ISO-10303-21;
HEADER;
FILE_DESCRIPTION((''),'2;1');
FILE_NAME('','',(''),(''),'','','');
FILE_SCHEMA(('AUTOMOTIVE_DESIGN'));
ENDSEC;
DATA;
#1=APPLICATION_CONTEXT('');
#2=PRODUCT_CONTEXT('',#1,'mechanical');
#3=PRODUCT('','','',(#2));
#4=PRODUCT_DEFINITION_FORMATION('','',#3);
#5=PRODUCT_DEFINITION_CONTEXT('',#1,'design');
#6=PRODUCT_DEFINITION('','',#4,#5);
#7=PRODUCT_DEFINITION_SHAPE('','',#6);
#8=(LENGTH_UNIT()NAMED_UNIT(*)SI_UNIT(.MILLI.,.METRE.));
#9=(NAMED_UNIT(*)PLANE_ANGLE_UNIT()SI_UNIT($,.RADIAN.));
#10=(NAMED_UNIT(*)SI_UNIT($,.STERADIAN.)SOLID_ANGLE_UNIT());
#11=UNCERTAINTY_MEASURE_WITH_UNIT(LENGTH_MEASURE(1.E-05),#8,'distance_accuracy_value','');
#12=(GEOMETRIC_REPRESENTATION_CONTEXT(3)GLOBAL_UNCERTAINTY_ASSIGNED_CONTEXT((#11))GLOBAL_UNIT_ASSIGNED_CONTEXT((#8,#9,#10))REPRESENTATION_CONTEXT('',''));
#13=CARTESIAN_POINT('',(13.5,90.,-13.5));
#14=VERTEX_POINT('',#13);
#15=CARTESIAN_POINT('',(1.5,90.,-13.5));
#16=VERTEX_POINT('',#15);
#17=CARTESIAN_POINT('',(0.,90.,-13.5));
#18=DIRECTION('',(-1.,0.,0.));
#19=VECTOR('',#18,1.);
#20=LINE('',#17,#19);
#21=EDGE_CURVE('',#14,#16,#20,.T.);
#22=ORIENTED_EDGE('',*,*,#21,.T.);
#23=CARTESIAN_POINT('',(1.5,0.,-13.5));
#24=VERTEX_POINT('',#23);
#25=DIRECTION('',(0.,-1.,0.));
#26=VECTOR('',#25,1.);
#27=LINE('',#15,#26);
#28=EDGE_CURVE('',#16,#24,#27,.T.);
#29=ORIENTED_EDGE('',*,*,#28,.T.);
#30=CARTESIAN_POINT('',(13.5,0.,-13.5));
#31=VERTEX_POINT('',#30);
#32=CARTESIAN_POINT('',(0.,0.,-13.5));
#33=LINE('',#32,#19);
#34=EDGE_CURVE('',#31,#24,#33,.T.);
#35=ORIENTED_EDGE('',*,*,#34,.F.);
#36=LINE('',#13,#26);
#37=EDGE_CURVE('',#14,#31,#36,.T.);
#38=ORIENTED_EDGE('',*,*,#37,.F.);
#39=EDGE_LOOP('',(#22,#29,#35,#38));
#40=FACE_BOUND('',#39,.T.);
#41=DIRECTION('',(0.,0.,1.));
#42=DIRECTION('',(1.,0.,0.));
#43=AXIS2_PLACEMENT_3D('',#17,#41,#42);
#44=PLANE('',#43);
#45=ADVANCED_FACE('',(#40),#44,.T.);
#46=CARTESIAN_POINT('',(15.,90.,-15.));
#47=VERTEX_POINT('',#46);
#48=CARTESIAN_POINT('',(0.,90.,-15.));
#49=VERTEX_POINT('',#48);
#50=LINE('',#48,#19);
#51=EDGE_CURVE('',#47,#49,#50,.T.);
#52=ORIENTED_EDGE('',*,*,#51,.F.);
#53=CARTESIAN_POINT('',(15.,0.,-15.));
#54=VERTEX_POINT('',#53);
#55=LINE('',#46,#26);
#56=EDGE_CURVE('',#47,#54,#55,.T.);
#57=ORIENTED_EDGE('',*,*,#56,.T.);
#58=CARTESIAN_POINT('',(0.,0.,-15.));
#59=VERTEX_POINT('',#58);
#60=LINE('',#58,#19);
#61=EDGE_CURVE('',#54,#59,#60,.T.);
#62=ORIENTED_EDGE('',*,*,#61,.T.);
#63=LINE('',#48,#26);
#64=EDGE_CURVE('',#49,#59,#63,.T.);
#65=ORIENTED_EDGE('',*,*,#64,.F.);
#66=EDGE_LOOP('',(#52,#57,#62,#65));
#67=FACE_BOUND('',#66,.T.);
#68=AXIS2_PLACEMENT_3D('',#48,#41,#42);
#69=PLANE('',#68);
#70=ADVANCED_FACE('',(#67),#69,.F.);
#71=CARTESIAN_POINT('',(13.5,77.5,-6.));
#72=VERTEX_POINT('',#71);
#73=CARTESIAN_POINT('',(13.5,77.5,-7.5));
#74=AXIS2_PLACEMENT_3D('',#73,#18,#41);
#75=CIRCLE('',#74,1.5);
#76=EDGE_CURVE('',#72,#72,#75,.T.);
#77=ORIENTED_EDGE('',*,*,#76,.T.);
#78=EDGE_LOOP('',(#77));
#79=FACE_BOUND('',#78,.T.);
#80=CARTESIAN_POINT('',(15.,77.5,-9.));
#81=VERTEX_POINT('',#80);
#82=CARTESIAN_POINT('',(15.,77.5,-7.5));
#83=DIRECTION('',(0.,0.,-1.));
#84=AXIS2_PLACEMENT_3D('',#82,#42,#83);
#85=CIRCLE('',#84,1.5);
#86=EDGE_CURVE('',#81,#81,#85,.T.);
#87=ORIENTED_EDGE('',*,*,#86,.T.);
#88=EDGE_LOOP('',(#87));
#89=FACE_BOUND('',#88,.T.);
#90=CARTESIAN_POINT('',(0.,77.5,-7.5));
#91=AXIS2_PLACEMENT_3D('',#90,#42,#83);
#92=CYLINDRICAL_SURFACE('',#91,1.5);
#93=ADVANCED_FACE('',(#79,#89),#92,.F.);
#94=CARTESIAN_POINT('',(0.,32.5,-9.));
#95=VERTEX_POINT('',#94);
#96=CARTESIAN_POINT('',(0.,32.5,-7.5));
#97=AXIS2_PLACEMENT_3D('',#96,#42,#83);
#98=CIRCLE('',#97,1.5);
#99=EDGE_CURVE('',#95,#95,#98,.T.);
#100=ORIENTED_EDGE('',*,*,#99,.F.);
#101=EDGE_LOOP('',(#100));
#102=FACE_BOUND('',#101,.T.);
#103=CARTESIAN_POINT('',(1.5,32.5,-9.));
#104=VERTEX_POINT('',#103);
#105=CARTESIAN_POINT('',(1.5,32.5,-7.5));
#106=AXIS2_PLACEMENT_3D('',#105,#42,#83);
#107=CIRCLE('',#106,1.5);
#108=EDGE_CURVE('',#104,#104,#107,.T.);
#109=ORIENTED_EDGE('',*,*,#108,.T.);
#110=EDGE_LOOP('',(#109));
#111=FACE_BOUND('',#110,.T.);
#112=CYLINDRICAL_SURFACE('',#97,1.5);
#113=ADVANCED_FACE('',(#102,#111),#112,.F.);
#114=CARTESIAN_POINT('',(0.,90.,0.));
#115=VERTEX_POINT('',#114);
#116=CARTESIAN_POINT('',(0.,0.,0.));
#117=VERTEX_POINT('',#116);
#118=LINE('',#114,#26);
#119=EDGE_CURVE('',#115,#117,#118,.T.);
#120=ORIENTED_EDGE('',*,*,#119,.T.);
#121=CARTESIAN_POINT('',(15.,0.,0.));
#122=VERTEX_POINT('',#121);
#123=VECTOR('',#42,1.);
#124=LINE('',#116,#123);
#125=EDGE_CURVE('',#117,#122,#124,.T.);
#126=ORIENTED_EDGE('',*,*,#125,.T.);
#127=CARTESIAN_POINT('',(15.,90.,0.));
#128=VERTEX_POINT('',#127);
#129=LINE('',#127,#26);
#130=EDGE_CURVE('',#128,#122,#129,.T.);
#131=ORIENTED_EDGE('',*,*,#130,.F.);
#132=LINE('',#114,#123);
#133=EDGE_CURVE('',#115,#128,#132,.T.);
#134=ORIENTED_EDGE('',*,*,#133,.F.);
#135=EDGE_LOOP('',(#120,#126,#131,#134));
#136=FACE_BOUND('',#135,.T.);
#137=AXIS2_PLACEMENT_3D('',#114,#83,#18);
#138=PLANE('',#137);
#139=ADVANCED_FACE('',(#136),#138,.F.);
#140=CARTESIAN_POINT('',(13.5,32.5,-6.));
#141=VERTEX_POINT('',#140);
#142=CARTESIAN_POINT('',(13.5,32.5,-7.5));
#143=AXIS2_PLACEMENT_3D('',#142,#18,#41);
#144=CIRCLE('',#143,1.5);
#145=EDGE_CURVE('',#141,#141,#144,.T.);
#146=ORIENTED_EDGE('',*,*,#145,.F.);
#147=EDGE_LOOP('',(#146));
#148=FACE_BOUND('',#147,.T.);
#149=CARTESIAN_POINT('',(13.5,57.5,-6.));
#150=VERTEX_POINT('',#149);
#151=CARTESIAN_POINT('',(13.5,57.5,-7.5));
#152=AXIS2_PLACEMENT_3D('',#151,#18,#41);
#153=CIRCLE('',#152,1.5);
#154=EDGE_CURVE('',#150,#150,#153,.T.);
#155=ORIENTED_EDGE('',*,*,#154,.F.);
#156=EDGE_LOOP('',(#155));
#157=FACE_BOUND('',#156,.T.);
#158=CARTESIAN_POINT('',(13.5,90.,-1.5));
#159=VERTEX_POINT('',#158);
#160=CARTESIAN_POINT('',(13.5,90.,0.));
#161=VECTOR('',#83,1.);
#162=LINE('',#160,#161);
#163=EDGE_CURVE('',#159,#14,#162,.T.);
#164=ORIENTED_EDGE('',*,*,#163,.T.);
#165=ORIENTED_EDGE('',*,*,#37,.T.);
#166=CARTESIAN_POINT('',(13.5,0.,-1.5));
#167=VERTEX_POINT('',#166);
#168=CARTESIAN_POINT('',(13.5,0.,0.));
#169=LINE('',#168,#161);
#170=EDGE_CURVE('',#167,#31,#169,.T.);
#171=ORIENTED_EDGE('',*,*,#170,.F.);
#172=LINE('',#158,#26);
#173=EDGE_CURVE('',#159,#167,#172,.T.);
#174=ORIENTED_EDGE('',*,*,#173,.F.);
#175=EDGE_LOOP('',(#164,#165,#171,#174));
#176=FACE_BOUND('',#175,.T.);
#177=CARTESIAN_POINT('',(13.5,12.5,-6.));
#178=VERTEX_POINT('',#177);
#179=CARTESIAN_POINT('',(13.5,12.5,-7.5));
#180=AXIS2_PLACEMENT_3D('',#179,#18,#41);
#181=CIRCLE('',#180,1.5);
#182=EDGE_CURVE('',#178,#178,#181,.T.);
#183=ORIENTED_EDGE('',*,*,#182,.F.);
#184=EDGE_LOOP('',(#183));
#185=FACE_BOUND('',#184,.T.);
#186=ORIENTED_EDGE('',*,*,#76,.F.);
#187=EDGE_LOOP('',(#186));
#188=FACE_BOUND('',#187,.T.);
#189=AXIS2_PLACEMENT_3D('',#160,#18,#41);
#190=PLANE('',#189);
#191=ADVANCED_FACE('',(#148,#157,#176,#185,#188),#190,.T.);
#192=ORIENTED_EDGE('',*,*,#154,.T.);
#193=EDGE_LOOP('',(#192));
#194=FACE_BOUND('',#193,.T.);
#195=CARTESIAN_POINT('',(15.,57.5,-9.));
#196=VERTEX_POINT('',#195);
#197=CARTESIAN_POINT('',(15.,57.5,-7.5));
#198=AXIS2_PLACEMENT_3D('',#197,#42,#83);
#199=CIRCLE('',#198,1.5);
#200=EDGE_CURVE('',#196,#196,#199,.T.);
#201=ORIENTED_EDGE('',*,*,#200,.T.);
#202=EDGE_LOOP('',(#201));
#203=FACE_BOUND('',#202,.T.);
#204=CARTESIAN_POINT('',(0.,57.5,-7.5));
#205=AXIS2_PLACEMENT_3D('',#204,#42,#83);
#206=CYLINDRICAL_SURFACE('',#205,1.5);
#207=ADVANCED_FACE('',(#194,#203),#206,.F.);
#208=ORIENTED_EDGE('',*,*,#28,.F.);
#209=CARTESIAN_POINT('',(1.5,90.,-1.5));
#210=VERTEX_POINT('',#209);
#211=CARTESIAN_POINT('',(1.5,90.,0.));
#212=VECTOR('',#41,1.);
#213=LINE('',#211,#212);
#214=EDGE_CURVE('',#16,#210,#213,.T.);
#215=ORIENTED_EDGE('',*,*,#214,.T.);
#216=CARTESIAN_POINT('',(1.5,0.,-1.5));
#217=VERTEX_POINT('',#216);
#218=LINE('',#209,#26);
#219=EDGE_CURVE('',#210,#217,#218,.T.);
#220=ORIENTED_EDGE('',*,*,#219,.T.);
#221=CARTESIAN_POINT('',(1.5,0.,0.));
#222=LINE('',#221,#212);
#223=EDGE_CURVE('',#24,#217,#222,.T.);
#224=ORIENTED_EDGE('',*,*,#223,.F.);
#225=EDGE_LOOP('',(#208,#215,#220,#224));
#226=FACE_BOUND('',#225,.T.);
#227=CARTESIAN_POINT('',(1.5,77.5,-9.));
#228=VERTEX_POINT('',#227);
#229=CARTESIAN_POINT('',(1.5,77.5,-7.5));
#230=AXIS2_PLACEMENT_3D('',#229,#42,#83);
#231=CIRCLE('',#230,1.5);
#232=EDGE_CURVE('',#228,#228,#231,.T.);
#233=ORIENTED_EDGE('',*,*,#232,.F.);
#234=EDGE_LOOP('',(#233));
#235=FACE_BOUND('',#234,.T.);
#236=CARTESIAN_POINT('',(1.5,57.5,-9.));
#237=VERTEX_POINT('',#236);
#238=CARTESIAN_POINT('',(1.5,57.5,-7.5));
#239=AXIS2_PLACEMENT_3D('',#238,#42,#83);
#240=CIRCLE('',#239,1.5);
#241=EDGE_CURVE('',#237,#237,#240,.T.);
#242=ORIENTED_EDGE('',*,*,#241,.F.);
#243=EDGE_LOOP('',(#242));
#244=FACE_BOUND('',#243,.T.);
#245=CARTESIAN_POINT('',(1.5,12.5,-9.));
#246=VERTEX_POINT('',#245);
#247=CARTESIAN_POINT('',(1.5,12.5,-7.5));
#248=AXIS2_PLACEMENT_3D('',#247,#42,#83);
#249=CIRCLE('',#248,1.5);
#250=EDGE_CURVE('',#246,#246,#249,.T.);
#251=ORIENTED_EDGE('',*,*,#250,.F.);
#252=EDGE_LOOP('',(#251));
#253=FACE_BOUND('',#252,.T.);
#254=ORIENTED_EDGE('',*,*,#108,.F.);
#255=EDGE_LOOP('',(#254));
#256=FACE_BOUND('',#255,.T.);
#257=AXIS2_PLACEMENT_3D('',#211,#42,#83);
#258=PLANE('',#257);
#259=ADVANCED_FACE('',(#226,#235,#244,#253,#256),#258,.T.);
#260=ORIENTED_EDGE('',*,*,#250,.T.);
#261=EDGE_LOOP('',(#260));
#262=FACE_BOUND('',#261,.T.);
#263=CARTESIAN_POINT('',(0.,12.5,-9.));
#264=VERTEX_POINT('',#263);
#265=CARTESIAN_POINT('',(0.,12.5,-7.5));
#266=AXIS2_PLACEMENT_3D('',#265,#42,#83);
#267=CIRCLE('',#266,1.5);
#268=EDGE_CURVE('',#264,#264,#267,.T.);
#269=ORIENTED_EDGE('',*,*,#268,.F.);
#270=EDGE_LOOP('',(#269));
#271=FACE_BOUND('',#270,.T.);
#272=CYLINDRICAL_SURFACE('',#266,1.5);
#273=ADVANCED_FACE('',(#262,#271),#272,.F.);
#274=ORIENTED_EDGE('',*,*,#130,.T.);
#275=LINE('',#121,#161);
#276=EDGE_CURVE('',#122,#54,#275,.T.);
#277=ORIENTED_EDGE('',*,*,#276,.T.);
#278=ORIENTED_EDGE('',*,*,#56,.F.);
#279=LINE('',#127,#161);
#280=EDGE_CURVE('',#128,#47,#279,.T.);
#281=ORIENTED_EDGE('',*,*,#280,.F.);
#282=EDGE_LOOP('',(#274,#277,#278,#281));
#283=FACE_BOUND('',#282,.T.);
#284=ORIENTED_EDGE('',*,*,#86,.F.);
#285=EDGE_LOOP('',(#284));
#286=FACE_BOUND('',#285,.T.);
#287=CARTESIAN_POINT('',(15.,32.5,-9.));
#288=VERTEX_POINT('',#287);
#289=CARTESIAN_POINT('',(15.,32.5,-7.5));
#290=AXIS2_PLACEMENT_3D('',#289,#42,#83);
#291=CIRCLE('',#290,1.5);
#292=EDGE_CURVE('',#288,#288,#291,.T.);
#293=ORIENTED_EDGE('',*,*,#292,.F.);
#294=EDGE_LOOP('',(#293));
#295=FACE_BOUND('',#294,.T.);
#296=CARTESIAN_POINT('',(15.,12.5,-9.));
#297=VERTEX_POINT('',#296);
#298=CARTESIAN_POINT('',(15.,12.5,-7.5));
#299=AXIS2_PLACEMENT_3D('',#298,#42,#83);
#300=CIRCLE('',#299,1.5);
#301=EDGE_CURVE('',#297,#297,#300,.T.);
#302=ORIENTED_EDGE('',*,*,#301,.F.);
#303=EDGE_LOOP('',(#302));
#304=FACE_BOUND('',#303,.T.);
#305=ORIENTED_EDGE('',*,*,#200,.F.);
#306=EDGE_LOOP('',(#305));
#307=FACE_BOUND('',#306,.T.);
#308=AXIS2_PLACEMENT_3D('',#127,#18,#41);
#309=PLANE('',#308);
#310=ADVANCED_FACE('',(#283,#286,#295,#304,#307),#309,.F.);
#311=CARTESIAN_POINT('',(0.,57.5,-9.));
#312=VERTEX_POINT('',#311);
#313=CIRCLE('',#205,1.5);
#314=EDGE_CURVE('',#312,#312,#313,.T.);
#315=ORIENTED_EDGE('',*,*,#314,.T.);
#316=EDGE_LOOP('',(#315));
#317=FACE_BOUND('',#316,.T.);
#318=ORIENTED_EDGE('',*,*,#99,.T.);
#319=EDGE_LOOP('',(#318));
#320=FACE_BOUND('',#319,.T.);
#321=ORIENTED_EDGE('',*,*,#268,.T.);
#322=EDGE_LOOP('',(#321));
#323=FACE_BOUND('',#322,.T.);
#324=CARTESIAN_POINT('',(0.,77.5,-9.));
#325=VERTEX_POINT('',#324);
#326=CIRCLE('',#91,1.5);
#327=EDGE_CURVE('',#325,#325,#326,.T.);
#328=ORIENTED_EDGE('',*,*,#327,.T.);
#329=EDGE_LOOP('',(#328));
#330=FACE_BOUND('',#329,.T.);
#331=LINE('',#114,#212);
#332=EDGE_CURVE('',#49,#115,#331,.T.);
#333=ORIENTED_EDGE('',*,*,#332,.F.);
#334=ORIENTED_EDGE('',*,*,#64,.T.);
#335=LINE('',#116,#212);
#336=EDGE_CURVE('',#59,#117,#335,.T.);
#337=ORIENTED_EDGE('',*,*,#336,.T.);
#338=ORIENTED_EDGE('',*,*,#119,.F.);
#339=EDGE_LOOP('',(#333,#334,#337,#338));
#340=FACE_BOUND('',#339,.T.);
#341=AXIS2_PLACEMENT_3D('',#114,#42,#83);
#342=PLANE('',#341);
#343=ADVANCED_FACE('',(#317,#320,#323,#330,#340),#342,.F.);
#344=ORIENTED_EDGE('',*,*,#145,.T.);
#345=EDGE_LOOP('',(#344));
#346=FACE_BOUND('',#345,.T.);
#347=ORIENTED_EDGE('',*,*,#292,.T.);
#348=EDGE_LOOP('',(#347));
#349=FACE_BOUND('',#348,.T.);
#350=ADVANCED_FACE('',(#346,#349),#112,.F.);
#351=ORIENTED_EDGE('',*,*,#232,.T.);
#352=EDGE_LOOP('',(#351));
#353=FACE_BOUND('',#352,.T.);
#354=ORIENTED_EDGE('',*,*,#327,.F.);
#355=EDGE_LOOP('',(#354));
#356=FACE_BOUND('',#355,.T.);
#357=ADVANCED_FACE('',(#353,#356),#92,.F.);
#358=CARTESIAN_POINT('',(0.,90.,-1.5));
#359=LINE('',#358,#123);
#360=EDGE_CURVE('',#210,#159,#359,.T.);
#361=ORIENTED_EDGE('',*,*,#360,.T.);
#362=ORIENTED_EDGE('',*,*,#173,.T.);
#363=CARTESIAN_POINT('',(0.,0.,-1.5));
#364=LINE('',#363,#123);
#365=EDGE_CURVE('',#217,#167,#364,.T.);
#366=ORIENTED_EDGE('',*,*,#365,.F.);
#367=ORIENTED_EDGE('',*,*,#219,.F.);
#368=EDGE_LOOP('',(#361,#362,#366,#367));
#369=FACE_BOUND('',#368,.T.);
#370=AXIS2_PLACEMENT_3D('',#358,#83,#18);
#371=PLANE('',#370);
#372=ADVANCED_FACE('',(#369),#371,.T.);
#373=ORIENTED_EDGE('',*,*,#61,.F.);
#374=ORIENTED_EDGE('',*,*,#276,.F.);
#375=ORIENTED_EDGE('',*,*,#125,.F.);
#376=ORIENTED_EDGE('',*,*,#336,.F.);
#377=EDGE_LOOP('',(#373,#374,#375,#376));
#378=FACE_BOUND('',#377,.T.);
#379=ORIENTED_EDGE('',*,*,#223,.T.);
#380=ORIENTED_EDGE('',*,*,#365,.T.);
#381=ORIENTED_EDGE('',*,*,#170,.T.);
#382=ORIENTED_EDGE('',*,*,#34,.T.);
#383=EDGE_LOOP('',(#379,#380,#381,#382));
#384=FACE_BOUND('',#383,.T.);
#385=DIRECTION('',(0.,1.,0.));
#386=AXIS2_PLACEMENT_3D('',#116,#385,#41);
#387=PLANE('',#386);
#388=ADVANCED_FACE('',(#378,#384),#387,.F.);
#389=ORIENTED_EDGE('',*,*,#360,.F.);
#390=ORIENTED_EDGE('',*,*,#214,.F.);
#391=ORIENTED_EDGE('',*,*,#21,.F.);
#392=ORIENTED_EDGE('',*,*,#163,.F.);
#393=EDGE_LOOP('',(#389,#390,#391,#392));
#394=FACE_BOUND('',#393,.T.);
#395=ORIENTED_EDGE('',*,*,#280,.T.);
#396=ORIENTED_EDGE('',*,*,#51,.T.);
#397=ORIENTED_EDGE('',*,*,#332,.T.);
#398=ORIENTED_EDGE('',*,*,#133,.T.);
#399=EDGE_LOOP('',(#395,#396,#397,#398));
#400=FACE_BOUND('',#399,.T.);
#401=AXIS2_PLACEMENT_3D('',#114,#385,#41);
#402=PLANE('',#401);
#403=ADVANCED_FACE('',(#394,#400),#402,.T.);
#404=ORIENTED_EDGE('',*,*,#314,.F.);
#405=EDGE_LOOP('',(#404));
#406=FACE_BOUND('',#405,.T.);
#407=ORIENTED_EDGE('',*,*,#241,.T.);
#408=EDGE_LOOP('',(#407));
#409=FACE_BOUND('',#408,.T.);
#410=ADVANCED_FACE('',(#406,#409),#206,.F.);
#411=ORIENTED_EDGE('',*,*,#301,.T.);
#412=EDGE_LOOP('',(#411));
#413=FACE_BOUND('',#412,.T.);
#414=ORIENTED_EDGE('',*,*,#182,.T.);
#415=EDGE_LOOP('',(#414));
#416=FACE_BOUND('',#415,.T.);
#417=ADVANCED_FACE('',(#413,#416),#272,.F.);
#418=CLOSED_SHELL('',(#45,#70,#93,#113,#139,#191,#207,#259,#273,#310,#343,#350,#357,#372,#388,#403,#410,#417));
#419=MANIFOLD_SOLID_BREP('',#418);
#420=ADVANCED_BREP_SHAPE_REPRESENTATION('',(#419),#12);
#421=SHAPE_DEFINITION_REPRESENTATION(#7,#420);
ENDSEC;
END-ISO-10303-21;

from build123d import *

# Parameters (mm, degrees)
SKETCH1_W           = 15
SKETCH1_H           = 15
SKETCH1_W_2         = 12
SKETCH1_H_2         = 12
EXTRUDE_THIN1_DEPTH = 90
SKETCH2_R           = 1.5
CUT_EXTRUDE1_DEPTH  = 16


with BuildPart() as part:
    # Sketch1 → Extrude-Thin1 (new body)
    with BuildSketch(Plane(origin=(0, 0, 0), x_dir=(1, 0, 0), z_dir=(0, 1, 0))):
        with Locations((7.5, 7.5)):
            Rectangle(SKETCH1_W, SKETCH1_H)
        with Locations((7.5, 7.5)):
            Rectangle(SKETCH1_W_2, SKETCH1_H_2, mode=Mode.SUBTRACT)
    extrude(amount=EXTRUDE_THIN1_DEPTH)

    # Sketch2 → Cut-Extrude1 (cut, through all)
    with BuildSketch(Plane(origin=(15, 0, 0), x_dir=(0, 0, -1), z_dir=(1, 0, 0))):
        with Locations((7.5, 12.5)):
            Circle(SKETCH2_R)
        with Locations((7.5, 32.5)):
            Circle(SKETCH2_R)
        with Locations((7.5, 57.5)):
            Circle(SKETCH2_R)
        with Locations((7.5, 77.5)):
            Circle(SKETCH2_R)
    extrude(amount=-CUT_EXTRUDE1_DEPTH, mode=Mode.SUBTRACT)


solid = part.part
